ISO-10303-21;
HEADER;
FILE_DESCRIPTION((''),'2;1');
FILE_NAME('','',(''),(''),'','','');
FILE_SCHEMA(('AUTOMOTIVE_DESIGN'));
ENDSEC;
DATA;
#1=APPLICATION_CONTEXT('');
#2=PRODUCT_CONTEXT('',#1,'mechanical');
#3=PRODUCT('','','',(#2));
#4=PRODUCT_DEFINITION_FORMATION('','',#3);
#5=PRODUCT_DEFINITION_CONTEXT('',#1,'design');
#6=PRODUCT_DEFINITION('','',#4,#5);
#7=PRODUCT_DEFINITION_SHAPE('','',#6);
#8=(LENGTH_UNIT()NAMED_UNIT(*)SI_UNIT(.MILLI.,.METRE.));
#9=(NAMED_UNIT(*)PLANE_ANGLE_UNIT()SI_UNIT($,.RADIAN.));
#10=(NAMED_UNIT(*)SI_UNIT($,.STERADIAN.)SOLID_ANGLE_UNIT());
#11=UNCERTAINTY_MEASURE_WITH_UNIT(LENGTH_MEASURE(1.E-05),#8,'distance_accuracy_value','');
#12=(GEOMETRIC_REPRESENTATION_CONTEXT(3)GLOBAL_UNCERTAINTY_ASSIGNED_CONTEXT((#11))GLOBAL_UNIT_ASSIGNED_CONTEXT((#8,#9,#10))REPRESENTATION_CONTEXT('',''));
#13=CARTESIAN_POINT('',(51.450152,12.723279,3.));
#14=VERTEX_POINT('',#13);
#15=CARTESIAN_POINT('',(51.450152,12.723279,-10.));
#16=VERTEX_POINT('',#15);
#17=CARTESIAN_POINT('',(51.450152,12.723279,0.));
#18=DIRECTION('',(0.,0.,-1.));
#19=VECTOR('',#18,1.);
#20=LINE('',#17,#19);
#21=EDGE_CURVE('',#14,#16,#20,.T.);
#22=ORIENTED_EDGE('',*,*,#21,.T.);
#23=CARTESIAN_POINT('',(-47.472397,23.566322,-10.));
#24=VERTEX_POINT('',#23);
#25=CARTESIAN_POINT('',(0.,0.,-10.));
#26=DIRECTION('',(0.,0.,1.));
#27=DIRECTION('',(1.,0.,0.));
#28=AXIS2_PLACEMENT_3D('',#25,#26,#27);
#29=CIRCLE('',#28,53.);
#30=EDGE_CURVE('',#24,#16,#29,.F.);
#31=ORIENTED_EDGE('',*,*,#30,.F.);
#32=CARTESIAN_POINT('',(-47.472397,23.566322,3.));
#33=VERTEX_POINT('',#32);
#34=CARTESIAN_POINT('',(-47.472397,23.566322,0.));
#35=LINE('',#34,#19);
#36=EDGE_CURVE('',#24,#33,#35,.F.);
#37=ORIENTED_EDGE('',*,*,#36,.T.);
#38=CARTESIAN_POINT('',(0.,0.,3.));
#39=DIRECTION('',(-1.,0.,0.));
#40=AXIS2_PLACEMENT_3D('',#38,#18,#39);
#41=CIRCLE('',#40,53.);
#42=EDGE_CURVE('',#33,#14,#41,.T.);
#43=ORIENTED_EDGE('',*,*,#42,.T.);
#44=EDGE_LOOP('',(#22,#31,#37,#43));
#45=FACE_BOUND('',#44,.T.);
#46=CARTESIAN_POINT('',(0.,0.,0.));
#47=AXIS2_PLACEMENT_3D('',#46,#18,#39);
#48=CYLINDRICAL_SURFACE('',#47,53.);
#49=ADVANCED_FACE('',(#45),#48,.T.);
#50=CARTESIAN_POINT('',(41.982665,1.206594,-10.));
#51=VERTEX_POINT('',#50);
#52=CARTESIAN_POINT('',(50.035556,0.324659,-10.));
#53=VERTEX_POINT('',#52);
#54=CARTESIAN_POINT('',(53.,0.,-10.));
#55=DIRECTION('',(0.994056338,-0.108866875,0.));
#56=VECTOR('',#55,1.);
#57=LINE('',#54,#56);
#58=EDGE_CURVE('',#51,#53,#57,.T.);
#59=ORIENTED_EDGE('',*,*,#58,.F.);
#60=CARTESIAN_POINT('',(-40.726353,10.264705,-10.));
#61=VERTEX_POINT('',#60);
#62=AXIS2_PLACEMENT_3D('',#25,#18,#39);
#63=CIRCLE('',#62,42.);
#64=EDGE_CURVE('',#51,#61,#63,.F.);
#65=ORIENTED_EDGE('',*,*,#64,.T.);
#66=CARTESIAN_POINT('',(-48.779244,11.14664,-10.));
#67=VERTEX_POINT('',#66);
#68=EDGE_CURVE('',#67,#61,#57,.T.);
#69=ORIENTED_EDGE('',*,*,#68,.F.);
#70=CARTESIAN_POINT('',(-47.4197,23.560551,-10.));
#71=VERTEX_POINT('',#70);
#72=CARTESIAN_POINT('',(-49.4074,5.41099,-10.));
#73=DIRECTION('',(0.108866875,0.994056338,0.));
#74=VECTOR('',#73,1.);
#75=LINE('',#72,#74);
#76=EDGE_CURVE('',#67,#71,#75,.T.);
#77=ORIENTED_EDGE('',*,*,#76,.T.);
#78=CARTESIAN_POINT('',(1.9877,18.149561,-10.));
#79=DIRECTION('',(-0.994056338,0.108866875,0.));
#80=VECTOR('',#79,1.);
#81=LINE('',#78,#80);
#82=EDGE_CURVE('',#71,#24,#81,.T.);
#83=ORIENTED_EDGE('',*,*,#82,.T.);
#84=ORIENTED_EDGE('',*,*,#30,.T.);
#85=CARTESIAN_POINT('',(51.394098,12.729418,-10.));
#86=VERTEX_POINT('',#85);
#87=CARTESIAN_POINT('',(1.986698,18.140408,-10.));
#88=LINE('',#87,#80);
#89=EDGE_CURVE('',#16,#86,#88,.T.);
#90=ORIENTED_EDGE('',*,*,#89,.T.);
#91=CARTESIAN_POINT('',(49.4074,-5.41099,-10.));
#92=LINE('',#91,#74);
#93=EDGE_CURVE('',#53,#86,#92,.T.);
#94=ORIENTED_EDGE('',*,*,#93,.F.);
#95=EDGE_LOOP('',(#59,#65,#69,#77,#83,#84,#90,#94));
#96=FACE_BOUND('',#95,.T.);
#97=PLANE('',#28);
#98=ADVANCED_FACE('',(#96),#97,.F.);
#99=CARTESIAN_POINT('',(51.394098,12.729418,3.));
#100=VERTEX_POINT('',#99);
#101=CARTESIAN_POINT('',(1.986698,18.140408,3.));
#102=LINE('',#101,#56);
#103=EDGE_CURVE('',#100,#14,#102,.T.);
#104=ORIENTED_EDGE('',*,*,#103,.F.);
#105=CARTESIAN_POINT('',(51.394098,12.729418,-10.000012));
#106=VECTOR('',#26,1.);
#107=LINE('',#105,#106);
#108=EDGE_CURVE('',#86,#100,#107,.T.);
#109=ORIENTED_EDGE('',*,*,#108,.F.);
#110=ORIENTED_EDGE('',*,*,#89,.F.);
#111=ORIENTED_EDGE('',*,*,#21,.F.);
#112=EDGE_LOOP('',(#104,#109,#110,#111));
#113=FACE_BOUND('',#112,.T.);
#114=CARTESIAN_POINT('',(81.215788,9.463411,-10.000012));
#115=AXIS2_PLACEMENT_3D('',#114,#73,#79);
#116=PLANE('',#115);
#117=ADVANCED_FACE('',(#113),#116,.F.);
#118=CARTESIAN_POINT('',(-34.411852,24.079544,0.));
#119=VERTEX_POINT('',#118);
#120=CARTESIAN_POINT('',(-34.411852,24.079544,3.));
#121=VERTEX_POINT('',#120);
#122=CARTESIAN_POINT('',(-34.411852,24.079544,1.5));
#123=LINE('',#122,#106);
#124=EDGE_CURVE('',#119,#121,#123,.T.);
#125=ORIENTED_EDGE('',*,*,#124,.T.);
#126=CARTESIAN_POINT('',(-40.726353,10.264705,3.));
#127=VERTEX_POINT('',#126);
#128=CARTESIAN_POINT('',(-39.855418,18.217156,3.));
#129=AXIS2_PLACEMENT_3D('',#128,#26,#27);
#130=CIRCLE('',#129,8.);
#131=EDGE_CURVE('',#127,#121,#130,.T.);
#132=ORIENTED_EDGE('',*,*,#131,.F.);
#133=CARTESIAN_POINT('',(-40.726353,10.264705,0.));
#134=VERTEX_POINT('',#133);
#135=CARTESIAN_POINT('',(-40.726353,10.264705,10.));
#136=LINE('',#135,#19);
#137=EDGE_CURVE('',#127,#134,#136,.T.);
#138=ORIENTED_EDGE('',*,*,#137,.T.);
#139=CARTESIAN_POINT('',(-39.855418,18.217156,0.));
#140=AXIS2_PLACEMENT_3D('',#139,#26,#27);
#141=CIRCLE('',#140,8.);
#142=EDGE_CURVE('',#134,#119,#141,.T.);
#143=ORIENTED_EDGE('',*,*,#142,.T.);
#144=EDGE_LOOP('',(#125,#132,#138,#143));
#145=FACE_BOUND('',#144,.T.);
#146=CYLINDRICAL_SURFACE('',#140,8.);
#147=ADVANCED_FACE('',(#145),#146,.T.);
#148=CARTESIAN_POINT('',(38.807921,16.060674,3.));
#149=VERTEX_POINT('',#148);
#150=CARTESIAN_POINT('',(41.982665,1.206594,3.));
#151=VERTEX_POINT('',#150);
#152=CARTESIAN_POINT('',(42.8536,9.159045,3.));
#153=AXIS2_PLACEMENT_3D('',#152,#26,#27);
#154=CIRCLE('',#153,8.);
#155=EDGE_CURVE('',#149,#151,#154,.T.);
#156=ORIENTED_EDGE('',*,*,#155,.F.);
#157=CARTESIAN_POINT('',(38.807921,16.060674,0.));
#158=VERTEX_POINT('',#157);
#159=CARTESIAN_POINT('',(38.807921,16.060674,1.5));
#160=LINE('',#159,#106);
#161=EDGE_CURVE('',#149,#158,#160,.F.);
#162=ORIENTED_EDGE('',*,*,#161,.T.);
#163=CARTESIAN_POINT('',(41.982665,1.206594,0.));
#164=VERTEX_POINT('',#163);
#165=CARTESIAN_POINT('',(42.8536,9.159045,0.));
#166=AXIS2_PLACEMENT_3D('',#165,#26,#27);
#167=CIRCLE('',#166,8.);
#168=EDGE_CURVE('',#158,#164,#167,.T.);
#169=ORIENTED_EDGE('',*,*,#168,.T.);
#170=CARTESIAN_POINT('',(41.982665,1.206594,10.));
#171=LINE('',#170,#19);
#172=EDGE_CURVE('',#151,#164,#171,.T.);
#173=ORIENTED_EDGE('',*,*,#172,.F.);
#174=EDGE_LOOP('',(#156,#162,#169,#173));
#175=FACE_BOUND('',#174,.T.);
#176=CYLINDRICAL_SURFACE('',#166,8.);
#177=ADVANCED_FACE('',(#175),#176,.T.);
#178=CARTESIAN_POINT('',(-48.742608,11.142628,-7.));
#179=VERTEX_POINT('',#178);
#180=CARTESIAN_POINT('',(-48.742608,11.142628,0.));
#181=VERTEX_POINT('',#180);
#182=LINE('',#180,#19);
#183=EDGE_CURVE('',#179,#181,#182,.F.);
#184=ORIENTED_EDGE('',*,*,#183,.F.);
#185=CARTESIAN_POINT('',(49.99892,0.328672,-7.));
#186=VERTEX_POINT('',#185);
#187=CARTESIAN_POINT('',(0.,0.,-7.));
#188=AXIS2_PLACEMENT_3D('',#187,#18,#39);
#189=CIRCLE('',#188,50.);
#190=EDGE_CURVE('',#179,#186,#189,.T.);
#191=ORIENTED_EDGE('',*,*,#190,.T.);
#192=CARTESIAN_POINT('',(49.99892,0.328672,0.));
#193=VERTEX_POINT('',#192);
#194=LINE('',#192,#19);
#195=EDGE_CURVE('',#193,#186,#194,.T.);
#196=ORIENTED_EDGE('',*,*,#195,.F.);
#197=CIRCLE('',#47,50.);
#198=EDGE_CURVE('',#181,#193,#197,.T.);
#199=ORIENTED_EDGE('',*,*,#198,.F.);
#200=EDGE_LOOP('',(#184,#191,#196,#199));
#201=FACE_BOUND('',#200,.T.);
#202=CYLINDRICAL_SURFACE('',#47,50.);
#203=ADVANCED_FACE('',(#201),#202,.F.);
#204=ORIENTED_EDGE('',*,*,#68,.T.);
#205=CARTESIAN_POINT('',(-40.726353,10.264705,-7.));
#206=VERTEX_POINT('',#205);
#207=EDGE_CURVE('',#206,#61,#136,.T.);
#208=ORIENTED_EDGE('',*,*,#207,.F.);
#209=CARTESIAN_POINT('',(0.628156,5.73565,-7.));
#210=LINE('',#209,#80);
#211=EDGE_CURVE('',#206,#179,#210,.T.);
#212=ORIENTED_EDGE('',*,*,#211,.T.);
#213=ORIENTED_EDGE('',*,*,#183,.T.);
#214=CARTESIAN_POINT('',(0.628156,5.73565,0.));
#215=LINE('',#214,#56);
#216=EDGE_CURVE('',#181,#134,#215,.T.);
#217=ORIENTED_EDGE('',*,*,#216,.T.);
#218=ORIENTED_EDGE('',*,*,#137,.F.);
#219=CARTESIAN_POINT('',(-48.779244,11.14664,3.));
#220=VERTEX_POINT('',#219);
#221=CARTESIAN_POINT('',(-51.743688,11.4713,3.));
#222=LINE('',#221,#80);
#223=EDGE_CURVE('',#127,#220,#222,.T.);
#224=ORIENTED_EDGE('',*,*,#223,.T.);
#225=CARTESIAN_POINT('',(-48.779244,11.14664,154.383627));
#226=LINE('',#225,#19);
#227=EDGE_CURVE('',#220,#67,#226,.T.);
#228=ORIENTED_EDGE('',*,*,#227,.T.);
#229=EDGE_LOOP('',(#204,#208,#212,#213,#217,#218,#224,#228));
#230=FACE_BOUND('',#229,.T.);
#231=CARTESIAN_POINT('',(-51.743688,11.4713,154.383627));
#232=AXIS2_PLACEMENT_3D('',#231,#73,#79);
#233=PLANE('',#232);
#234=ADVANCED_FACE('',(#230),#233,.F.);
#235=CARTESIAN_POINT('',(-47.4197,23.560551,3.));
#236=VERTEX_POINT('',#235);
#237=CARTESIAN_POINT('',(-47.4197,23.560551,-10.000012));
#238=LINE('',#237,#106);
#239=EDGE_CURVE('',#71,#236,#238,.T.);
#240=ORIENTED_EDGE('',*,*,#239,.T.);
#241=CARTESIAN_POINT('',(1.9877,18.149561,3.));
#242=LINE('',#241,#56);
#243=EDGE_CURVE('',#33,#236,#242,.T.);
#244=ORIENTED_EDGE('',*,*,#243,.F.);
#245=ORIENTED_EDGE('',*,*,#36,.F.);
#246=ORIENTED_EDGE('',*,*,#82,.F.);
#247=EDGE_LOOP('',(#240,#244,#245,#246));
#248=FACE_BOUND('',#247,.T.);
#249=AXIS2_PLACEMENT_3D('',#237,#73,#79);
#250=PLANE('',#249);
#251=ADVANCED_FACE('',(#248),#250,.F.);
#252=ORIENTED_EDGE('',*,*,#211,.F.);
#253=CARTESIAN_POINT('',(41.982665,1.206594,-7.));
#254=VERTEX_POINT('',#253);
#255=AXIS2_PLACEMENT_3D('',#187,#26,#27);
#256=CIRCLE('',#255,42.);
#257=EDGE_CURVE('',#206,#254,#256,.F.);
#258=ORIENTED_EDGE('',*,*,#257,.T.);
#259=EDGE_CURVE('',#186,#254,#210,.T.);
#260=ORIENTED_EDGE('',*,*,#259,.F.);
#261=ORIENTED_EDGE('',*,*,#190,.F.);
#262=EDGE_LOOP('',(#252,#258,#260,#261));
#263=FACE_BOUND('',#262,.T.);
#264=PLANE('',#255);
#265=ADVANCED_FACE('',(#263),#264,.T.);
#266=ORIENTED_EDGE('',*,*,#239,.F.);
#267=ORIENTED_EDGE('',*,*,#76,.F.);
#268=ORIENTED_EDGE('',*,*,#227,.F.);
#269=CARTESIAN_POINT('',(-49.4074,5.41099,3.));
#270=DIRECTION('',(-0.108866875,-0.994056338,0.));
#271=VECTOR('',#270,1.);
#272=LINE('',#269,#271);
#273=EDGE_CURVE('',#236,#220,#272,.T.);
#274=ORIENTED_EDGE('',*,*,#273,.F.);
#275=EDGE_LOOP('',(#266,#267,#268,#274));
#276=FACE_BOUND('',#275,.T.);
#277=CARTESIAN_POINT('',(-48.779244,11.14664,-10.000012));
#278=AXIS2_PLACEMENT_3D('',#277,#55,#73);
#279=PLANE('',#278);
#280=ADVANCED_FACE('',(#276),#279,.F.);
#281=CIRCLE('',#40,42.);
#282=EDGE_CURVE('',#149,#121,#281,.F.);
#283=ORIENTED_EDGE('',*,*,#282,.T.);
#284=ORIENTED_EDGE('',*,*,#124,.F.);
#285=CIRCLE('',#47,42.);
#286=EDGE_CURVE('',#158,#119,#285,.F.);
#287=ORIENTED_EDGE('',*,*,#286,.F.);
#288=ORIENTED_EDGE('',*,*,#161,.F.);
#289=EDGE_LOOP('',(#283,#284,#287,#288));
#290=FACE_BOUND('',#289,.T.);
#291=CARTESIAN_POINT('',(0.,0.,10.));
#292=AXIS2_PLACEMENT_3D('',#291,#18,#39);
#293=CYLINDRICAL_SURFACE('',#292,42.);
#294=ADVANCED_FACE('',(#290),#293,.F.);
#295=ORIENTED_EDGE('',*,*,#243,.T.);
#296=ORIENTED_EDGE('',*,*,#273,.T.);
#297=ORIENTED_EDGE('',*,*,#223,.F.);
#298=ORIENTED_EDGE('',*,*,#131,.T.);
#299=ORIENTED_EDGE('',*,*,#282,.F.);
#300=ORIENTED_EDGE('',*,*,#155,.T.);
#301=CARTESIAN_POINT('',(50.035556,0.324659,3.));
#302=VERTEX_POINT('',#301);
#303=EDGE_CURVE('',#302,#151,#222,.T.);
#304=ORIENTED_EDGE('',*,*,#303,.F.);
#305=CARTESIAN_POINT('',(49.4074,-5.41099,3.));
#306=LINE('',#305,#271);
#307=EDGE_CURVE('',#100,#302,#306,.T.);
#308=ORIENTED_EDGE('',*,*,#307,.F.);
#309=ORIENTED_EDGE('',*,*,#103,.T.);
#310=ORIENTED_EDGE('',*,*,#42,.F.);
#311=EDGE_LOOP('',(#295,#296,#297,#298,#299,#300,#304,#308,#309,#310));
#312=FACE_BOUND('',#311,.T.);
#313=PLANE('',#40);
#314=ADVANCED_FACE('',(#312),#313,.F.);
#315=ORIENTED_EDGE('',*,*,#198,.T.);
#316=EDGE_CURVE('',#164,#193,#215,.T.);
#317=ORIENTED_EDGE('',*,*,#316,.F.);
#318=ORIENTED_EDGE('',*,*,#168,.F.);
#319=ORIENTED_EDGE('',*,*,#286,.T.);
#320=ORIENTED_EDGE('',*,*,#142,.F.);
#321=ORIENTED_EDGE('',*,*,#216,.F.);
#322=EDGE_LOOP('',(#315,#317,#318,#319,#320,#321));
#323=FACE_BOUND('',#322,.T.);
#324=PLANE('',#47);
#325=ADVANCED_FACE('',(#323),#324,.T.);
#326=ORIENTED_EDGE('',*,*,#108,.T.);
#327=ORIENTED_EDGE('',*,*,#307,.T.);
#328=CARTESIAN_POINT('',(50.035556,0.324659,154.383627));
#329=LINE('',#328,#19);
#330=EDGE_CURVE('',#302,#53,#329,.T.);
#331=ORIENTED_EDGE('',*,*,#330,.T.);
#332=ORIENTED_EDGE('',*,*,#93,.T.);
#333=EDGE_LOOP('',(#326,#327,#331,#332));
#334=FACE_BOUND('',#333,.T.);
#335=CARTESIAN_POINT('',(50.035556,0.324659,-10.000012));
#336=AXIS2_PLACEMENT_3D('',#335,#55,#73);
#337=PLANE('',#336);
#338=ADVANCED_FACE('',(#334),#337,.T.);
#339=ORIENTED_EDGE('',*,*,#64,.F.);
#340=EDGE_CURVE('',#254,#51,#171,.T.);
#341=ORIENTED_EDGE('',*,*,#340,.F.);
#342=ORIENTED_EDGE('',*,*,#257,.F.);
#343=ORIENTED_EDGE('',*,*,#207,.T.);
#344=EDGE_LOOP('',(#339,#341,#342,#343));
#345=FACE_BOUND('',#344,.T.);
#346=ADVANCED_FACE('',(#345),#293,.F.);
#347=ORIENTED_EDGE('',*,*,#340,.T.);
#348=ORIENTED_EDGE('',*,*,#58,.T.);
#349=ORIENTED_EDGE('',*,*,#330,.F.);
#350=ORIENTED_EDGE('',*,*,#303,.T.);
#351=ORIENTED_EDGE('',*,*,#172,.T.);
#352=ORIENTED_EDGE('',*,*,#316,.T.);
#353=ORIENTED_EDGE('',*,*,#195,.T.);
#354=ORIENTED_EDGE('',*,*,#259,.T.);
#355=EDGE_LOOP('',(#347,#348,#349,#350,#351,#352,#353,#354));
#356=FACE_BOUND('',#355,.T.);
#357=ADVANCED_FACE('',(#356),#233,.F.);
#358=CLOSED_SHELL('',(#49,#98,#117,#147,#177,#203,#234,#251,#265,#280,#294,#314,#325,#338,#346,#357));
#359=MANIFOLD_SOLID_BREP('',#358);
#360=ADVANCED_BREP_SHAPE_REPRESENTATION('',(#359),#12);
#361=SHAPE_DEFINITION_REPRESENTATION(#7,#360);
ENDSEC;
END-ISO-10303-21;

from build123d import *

# Parameters (mm, degrees)
SKETCH1_W                    = 50
SKETCH1_H                    = 7
REVOLVE5_ANGLE               = 167.5
SHELL2_T                     = 3
CUT_EXTRUDE3_DEPTH           = 77.072333999
CUT_EXTRUDE3_DEPTH_BACK      = 10
CUT_EXTRUDE4_DEPTH           = 77.072333999
CUT_EXTRUDE4_DEPTH_BACK      = 10
CUT_EXTRUDE_THIN1_DEPTH      = 77.072333999
CUT_EXTRUDE_THIN1_DEPTH_BACK = 20
CUT_EXTRUDE_THIN2_DEPTH      = 77.072333999
CUT_EXTRUDE_THIN2_DEPTH_BACK = 20
CUT_EXTRUDE_THIN3_DEPTH      = 76.000787866
CUT_EXTRUDE_THIN3_DEPTH_BACK = 20
SKETCH18_R                   = 8
BOSS_EXTRUDE3_DEPTH          = 3


with BuildPart() as part:
    # Sketch1 → Revolve5 (revolve)
    with BuildSketch(Plane(origin=(0, 0, 0), x_dir=(1, 0, 0), z_dir=(0, 1, 0))):
        with Locations((25, 3.5)):
            Rectangle(SKETCH1_W, SKETCH1_H)
    revolve(axis=Axis((0, 0, 0), (0, 0, 1)), revolution_arc=REVOLVE5_ANGLE)

    # Shell2
    shell2_openings = [part.faces().sort_by_distance(p)[0] for p in [
        (25, 0, -3.5),
        (-24.407400178, 5.410990348, -3.5),
    ]]
    offset(amount=SHELL2_T, openings=shell2_openings, kind=Kind.INTERSECTION)

    # Sketch11 → Cut-Extrude3 (cut, two sides: drawn at the far end of the back side and taken through both)
    with BuildSketch(Plane.XY.offset(3).offset(-CUT_EXTRUDE3_DEPTH_BACK)):
        Polygon((-295.067343662, 38.119573796), (-51.743688377, 11.471299539), (53, 0), (296.323655284, -26.648274258), (243.027106769, -513.295584826), (-348.363892177, -448.527736772), align=None)
    extrude(amount=CUT_EXTRUDE3_DEPTH + CUT_EXTRUDE3_DEPTH_BACK, mode=Mode.SUBTRACT)

    # Sketch12 → Cut-Extrude4 (cut, two sides: drawn at the far end of the back side and taken through both)
    with BuildSketch(Plane(origin=(0, 0, -10), x_dir=(-1, 0, 0), z_dir=(0, 0, -1)).offset(-CUT_EXTRUDE4_DEPTH_BACK)):
        Polygon((-296.323655284, -26.648274258), (-53, 0), (51.743688377, 11.471299539), (295.067343662, 38.119573796), (348.363892177, -448.527736772), (-243.027106769, -513.295584826), align=None)
    extrude(amount=CUT_EXTRUDE4_DEPTH + CUT_EXTRUDE4_DEPTH_BACK, mode=Mode.SUBTRACT)

    # Sketch13 → Cut-Extrude-Thin1 (cut, two sides: drawn at the far end of the back side and taken through both)
    with BuildSketch(Plane(origin=(0, 0, -10), x_dir=(-1, 0, 0), z_dir=(0, 0, -1)).offset(-CUT_EXTRUDE_THIN1_DEPTH_BACK)):
        Polygon((48.779244367, 11.146640118), (47.419699991, 23.560551191), (57.360263374, 24.64921994), (58.719807749, 12.235308866), align=None)
    extrude(amount=CUT_EXTRUDE_THIN1_DEPTH + CUT_EXTRUDE_THIN1_DEPTH_BACK, mode=Mode.SUBTRACT)

    # Sketch14 → Cut-Extrude-Thin2 (cut, two sides: drawn at the far end of the back side and taken through both)
    with BuildSketch(Plane(origin=(0, 0, -10), x_dir=(-1, 0, 0), z_dir=(0, 0, -1)).offset(-CUT_EXTRUDE_THIN2_DEPTH_BACK)):
        Polygon((-50.035555989, 0.324659421), (-51.39409796, 12.729417605), (-81.215788107, 9.46341136), (-79.857246136, -2.941346825), align=None)
    extrude(amount=CUT_EXTRUDE_THIN2_DEPTH + CUT_EXTRUDE_THIN2_DEPTH_BACK, mode=Mode.SUBTRACT)

    # Sketch15 → Cut-Extrude-Thin3 (cut, two sides: drawn at the far end of the back side and taken through both)
    with BuildSketch(Plane(origin=(0, 0, -10), x_dir=(-1, 0, 0), z_dir=(0, 0, -1)).offset(-CUT_EXTRUDE_THIN3_DEPTH_BACK)):
        with BuildLine():
            ThreePointArc((-41.982664634, 1.20659446), (-4.572408744, 41.750366205), (40.726353012, 10.264705079))
            Line((40.726353012, 10.264705079), (11.636100861, 2.93277288))
            ThreePointArc((11.636100861, 2.93277288), (-1.306402498, 11.928676059), (-11.995047038, 0.344741274))
            Line((-11.995047038, 0.344741274), (-41.982664634, 1.20659446))
        make_face()
    extrude(amount=CUT_EXTRUDE_THIN3_DEPTH + CUT_EXTRUDE_THIN3_DEPTH_BACK, mode=Mode.SUBTRACT)


with BuildPart() as body_2:
    # of the pieces the cut leaves, the one that is kept (cut_extrude_thin3_keep)
    add(part.part.solids().sort_by_distance((49.998919737, 0.328671743, 0))[0])

    # Sketch18 → Boss-Extrude3 (add)
    with BuildSketch(Plane.XY.offset(3)):
        with Locations((-39.855418013, 18.217155785)):
            Circle(SKETCH18_R)
        with Locations((42.853599633, 9.159045166)):
            Circle(SKETCH18_R)
    extrude(amount=-BOSS_EXTRUDE3_DEPTH)


solid = body_2.part
